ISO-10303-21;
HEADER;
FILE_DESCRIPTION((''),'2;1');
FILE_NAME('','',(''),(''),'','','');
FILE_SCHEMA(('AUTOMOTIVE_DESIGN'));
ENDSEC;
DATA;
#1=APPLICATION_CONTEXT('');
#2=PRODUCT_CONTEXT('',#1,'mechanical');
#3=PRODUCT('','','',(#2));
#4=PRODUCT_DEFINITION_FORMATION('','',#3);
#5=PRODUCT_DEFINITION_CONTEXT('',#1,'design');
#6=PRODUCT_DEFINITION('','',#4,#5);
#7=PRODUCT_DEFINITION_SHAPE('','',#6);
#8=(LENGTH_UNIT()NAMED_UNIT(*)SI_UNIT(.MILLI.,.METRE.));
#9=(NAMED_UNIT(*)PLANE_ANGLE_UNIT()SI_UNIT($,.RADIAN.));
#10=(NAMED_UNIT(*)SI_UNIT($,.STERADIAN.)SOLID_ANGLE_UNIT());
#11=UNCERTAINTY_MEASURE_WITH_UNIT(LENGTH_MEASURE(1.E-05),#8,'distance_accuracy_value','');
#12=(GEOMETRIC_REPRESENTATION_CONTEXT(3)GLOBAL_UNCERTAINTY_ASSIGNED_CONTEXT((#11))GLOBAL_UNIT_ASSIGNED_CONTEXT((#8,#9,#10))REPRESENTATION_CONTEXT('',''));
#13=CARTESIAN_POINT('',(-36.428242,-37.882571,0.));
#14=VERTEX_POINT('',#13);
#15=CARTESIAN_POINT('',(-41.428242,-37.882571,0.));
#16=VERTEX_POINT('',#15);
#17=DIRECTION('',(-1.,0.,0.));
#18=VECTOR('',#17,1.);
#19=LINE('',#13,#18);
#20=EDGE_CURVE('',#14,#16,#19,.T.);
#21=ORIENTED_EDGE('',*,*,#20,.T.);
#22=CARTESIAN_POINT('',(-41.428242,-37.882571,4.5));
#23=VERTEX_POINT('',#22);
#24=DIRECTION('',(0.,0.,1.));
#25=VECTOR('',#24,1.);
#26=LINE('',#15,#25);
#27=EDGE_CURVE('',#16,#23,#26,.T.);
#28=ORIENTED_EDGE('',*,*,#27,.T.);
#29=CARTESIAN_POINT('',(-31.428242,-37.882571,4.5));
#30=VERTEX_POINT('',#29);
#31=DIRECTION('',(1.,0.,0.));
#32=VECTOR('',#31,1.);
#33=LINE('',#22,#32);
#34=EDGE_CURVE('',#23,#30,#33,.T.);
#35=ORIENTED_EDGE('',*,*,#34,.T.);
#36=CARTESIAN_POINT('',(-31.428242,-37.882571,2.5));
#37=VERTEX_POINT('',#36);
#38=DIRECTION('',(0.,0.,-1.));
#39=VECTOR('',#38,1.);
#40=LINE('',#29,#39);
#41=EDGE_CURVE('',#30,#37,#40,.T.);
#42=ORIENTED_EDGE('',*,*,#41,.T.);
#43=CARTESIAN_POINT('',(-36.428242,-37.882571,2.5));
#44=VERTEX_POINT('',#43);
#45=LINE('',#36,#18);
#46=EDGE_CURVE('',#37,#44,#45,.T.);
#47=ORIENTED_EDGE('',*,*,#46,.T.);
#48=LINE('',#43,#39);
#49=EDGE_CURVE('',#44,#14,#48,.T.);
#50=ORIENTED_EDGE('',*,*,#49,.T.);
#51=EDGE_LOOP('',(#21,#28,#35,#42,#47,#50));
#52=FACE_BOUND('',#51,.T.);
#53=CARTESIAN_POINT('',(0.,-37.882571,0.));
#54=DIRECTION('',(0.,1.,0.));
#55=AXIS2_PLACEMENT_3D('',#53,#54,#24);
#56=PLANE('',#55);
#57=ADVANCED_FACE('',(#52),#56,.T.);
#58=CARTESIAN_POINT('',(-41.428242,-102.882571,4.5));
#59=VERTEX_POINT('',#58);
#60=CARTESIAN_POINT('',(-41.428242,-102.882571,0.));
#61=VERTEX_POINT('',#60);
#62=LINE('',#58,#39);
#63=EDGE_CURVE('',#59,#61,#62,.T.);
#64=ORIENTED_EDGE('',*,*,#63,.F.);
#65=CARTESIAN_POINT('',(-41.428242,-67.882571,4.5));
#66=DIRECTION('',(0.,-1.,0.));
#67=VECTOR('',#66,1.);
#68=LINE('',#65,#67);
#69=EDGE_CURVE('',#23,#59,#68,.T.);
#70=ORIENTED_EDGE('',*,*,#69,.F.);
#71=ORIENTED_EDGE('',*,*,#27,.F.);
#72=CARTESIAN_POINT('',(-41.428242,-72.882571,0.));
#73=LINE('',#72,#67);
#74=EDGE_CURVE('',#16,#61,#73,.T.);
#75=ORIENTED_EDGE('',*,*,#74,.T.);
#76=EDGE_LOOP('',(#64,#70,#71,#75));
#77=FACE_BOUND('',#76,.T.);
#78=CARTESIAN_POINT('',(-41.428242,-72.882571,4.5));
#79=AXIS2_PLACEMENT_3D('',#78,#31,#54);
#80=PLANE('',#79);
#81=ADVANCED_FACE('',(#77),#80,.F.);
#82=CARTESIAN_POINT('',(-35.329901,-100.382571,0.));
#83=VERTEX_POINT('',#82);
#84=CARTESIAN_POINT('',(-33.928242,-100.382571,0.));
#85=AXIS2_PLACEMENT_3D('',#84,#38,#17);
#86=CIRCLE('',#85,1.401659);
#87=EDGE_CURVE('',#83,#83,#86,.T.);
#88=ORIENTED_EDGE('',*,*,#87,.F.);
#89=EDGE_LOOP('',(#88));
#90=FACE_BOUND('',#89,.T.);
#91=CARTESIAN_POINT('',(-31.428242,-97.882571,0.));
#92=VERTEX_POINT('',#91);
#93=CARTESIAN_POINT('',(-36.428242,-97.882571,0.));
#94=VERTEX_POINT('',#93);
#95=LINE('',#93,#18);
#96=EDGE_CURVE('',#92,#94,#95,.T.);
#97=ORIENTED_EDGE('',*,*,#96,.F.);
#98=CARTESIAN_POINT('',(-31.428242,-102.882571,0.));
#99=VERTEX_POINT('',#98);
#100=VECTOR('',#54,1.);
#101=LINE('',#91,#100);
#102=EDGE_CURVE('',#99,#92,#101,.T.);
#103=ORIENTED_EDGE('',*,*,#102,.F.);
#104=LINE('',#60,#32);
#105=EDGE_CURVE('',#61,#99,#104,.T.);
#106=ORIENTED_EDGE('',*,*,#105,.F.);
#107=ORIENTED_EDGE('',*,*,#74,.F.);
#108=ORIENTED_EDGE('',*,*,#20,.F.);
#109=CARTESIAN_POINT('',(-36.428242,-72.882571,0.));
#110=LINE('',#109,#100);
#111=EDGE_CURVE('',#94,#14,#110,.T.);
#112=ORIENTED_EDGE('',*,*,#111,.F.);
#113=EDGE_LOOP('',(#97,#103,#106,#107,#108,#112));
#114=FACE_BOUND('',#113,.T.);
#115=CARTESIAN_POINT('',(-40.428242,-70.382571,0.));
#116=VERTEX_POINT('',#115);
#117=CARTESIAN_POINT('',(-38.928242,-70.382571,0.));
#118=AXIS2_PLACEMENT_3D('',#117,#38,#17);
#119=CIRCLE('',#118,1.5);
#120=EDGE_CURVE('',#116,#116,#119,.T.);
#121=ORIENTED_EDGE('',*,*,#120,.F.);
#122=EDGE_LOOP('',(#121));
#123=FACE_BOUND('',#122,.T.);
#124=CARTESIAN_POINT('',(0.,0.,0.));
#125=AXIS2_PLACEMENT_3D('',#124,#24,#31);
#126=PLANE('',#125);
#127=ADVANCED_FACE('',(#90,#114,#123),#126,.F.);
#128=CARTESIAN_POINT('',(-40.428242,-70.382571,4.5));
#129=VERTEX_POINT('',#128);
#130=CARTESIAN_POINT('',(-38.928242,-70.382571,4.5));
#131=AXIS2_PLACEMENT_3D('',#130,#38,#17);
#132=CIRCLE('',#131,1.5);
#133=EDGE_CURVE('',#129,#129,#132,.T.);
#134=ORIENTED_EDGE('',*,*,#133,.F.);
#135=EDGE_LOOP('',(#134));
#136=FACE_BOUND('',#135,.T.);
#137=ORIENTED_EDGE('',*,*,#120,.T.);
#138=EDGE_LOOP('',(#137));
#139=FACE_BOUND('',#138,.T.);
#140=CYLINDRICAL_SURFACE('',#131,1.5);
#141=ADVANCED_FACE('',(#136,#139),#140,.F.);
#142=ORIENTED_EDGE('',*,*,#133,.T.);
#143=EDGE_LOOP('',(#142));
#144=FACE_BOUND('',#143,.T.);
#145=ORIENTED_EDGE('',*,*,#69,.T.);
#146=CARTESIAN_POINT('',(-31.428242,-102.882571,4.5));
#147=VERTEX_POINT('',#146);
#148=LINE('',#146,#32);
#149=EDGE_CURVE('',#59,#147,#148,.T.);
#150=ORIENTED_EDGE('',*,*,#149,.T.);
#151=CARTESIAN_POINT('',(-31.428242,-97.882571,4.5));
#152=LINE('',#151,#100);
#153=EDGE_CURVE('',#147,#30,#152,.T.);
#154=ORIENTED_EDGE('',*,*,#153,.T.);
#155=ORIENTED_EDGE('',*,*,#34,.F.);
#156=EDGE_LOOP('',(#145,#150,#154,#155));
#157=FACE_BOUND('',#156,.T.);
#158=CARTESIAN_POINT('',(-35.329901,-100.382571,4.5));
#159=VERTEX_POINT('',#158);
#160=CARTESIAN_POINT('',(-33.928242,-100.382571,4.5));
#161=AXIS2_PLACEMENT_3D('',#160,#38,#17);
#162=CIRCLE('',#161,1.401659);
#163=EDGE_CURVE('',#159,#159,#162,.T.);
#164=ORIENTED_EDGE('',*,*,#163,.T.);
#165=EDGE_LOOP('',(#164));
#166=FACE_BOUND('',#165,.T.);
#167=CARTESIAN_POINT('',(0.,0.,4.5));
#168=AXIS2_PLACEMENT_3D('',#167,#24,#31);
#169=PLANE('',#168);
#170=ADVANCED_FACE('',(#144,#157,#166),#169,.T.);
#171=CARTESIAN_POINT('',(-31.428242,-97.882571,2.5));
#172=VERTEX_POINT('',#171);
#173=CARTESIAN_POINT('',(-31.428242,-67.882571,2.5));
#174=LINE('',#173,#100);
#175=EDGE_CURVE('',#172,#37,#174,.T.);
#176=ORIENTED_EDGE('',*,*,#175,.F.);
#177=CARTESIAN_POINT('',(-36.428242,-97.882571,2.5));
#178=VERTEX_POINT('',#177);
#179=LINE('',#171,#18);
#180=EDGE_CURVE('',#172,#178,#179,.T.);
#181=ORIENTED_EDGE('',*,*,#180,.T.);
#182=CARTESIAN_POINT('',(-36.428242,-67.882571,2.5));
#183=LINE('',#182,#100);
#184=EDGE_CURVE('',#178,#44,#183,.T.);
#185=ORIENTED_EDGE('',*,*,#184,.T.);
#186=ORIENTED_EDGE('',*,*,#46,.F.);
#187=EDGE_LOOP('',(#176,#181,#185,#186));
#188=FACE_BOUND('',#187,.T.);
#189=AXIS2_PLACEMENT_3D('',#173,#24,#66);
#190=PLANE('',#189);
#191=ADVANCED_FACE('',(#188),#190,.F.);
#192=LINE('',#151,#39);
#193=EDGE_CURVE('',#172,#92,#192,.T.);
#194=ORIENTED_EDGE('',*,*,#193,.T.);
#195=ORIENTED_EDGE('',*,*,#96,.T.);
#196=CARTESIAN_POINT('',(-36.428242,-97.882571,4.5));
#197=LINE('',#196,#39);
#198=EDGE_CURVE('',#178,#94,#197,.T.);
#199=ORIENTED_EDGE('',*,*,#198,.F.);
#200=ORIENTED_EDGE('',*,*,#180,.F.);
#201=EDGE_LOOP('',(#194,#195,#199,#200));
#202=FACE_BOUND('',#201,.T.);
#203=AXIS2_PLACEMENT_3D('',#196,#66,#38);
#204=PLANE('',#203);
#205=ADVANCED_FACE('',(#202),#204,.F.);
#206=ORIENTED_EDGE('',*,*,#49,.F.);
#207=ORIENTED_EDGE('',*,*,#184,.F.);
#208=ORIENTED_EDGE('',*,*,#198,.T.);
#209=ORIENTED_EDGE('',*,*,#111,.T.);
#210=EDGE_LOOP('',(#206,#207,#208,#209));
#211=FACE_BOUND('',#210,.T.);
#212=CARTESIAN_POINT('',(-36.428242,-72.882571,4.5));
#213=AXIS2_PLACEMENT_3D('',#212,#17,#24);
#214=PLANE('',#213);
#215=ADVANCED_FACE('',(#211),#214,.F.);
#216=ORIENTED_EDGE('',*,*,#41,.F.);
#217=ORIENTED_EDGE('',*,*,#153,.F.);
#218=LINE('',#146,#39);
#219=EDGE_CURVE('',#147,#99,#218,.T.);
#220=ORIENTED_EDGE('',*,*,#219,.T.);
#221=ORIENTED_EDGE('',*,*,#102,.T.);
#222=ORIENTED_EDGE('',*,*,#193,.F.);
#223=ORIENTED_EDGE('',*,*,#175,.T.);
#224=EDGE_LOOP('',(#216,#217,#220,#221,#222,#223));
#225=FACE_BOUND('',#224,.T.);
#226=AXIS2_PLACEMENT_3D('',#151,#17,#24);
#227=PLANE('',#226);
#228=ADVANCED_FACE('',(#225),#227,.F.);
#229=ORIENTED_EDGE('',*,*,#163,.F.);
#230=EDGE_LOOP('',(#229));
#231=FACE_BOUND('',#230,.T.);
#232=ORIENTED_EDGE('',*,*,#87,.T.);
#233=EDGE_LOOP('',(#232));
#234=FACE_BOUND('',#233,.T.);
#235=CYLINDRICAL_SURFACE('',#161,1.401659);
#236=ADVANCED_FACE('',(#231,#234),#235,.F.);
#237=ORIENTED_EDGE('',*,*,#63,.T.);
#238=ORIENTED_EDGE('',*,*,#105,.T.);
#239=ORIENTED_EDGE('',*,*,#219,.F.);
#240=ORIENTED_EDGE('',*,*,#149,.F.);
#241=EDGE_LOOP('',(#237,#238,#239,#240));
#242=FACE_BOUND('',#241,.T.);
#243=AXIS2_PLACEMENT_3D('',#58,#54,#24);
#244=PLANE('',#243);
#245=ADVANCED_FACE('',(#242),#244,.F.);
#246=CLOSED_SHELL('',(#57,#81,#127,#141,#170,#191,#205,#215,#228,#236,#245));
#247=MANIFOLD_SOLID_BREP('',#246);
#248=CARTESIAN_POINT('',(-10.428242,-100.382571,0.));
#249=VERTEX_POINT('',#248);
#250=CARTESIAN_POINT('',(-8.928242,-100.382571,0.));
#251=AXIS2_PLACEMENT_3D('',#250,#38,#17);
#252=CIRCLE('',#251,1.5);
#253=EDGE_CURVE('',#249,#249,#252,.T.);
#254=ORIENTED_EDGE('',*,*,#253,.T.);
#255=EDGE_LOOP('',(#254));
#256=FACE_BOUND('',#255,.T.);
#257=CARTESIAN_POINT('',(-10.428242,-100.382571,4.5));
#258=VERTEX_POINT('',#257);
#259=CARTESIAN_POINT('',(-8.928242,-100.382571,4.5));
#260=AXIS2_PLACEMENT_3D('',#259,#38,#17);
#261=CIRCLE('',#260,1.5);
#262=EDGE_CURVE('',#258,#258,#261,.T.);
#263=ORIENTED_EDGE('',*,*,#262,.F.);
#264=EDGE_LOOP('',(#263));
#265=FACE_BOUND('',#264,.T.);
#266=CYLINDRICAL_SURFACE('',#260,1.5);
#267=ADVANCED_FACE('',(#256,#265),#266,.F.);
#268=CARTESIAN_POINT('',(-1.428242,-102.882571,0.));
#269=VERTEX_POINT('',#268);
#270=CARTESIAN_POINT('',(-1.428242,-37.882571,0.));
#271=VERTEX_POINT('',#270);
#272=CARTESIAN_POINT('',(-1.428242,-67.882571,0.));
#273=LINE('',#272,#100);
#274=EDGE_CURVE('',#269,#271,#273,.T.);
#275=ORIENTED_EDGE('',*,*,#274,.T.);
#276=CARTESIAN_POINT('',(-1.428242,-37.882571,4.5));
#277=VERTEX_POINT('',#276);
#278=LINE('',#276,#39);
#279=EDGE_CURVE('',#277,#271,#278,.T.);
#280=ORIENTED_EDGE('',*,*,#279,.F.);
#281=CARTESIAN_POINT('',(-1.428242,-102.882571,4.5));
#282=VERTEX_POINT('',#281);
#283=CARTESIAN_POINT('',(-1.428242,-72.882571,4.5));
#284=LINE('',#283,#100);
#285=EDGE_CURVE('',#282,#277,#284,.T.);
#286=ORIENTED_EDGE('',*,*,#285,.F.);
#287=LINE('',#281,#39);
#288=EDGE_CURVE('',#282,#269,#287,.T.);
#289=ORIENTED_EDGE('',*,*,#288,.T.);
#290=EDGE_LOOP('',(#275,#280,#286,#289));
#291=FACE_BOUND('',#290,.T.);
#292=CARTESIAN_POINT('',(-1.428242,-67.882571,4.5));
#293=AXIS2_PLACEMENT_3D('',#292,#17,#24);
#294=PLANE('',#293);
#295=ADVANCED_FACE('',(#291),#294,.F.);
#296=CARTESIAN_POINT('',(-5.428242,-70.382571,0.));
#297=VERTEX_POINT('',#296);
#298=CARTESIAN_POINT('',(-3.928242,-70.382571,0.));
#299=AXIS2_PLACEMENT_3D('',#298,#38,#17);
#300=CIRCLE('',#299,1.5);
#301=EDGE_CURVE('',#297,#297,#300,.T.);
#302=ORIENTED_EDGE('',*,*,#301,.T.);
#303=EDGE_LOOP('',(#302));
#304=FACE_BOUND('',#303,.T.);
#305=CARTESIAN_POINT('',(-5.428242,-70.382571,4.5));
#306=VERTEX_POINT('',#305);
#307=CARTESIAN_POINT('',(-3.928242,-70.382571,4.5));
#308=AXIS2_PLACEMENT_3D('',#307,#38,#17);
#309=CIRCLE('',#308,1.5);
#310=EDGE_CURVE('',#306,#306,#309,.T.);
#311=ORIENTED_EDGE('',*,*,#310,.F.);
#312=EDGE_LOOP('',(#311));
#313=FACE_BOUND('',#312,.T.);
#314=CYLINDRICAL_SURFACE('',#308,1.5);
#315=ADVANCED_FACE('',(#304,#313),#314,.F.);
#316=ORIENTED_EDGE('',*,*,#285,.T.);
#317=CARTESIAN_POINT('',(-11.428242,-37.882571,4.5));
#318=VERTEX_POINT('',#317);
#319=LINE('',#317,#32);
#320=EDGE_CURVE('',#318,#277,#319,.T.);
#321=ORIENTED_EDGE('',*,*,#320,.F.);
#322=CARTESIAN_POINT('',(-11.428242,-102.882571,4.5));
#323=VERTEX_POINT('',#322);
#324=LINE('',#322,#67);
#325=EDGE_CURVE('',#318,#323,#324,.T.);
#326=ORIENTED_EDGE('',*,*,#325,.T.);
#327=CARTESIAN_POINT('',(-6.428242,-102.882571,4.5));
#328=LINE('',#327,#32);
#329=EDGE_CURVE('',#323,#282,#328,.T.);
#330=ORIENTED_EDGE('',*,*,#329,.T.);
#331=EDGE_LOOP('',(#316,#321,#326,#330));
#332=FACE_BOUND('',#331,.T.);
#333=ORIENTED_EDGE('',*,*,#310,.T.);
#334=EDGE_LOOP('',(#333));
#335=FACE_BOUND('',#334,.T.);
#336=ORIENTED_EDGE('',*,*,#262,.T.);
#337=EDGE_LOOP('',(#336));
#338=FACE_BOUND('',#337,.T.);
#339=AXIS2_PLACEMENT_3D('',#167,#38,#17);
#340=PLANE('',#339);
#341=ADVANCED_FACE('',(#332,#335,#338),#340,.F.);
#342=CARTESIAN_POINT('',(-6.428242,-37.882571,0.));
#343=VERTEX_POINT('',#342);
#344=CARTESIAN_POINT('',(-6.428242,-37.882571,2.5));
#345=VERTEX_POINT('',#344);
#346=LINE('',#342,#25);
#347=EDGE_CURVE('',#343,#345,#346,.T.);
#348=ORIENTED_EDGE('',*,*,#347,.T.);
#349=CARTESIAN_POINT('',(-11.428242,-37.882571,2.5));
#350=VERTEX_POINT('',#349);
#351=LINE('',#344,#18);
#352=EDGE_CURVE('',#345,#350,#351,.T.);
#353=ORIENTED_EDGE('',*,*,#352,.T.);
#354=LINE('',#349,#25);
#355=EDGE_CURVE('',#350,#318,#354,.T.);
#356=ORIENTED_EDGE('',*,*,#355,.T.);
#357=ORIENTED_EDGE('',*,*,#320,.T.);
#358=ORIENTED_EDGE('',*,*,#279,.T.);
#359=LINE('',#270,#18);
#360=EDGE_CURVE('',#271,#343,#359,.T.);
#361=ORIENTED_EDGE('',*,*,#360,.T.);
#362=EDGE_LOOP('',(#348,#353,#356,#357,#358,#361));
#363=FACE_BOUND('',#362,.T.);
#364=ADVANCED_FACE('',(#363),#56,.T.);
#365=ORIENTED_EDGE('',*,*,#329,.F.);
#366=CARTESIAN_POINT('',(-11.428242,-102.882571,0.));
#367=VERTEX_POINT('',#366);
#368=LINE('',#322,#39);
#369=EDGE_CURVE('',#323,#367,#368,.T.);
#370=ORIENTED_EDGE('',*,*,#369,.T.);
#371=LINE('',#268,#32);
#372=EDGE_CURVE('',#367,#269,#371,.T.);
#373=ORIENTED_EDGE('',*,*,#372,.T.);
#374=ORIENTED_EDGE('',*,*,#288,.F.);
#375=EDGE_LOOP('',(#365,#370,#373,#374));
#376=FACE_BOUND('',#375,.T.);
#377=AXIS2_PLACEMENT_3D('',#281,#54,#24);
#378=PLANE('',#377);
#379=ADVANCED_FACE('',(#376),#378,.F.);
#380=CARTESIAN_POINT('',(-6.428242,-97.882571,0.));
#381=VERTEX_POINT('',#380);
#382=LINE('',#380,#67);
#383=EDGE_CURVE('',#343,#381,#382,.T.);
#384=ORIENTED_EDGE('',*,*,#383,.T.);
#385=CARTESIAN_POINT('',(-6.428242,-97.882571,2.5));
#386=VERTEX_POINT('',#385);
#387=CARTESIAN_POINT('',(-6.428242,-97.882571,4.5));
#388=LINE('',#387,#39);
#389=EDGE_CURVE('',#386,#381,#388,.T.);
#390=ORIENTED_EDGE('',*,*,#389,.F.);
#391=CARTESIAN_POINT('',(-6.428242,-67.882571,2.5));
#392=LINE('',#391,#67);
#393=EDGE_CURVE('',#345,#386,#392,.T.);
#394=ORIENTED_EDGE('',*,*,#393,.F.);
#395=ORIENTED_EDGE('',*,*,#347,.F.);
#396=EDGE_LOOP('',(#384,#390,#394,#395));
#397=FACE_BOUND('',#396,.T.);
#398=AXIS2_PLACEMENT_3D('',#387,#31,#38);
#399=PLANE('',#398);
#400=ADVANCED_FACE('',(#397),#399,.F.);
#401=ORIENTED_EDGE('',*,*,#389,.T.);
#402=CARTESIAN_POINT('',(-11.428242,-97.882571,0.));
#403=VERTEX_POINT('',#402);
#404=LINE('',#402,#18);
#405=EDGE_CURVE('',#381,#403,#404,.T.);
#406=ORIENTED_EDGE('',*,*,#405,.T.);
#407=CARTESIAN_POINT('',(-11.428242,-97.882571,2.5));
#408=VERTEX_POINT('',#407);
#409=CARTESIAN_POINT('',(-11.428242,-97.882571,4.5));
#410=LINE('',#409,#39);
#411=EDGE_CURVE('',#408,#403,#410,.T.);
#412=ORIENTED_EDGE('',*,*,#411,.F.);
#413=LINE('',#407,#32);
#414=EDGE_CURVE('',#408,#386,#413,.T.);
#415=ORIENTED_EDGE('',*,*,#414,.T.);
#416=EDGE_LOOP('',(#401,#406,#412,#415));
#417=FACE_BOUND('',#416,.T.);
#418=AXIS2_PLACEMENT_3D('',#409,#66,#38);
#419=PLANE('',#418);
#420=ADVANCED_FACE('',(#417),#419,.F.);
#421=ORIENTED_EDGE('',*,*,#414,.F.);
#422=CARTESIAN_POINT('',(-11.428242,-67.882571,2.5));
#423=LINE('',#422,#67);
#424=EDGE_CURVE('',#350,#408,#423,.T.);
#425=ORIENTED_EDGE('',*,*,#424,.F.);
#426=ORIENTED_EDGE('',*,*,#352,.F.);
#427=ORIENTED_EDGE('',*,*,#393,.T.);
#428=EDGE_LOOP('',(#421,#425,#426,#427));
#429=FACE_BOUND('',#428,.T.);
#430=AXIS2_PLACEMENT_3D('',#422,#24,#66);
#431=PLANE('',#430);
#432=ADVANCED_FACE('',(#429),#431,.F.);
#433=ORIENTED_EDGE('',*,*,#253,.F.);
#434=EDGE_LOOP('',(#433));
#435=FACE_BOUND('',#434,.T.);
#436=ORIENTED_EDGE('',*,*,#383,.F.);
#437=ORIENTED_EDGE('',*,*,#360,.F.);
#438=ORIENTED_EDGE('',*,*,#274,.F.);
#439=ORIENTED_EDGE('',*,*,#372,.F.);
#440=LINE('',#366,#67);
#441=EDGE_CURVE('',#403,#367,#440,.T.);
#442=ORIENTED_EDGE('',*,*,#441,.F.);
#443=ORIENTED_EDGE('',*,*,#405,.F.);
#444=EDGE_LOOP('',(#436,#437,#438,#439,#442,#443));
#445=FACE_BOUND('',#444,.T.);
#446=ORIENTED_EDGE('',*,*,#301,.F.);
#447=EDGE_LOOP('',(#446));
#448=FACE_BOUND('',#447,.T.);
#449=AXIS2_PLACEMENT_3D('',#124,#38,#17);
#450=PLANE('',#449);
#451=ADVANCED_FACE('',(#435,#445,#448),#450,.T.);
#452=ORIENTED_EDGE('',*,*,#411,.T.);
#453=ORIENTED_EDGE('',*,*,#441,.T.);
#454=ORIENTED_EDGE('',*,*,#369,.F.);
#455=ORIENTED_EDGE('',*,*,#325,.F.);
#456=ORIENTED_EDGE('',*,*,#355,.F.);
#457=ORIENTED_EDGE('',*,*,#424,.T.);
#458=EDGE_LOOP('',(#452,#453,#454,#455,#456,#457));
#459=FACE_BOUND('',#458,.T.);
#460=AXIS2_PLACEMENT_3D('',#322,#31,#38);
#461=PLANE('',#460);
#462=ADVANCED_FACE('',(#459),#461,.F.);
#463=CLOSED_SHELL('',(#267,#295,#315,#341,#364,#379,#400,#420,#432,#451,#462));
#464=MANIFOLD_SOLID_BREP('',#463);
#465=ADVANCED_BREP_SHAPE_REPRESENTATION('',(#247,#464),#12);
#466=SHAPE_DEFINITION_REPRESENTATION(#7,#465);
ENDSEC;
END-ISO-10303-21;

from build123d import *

# Parameters (mm, degrees)
BOSS_EXTRUDE1_DEPTH   = 4.5
BOSS_EXTRUDE1_2_DEPTH = 4.5
SKETCH2_W             = 2
SKETCH2_H             = 30
BOSS_EXTRUDE2_DEPTH   = 5
SKETCH3_W             = 2
SKETCH3_H             = 30
BOSS_EXTRUDE3_DEPTH   = 5
SKETCH4_R             = 1.401658719
SKETCH4_R_2           = 1.5
CUT_EXTRUDE1_DEPTH    = 5.5
SKETCH5_R             = 1.5
CUT_EXTRUDE2_DEPTH    = 5.5
BOSS_EXTRUDE4_DEPTH   = 30
BOSS_EXTRUDE5_DEPTH   = 30


with BuildPart() as part:
    # Sketch1 → Boss-Extrude1 (new body)
    with BuildSketch(Plane.XY):
        Polygon((-36.428241885, -97.882571264), (-36.428241885, -72.882571264), (-36.428241885, -67.882571264), (-41.428241885, -67.882571264), (-41.428241885, -72.882571264), (-41.428241885, -102.882571264), (-36.428241885, -102.882571264), (-31.428241885, -102.882571264), (-31.428241885, -97.882571264), align=None)
    extrude(amount=BOSS_EXTRUDE1_DEPTH)

    # Sketch3 → Boss-Extrude3 (add)
    with BuildSketch(Plane(origin=(-36.428241885, 0, 0), x_dir=(0, 0, -1), z_dir=(1, 0, 0))):
        with Locations((-3.5, -82.882571264)):
            Rectangle(SKETCH3_W, SKETCH3_H)
    extrude(amount=BOSS_EXTRUDE3_DEPTH)

    # Sketch4 → Cut-Extrude1 (cut, through all)
    with BuildSketch(Plane(origin=(0, 0, 0), x_dir=(-1, 0, 0), z_dir=(0, 0, -1))):
        with Locations((33.928241885, -100.382571264)):
            Circle(SKETCH4_R)
        with Locations((38.928241885, -70.382571264)):
            Circle(SKETCH4_R_2)
    extrude(amount=-CUT_EXTRUDE1_DEPTH, mode=Mode.SUBTRACT)

    # Sketch6 → Boss-Extrude4 (add)
    with BuildSketch(Plane(origin=(0, -67.882571264, 0), x_dir=(1, 0, 0), z_dir=(0, 1, 0))):
        Polygon((-36.428241885, 0), (-41.428241885, 0), (-41.428241885, -4.5), (-31.428241885, -4.5), (-31.428241885, -2.5), (-36.428241885, -2.5), align=None)
    extrude(amount=BOSS_EXTRUDE4_DEPTH)


with BuildPart() as body_2:
    # Sketch1 → Boss-Extrude1 2 (new body)
    with BuildSketch(Plane.XY):
        Polygon((-6.428241885, -97.882571264), (-6.428241885, -72.882571264), (-6.428241885, -67.882571264), (-1.428241885, -67.882571264), (-1.428241885, -72.882571264), (-1.428241885, -102.882571264), (-6.428241885, -102.882571264), (-11.428241885, -102.882571264), (-11.428241885, -97.882571264), align=None)
    extrude(amount=BOSS_EXTRUDE1_2_DEPTH)

    # Sketch2 → Boss-Extrude2 (add)
    with BuildSketch(Plane.ZY.offset(6.428241885)):
        with Locations((3.5, -82.882571264)):
            Rectangle(SKETCH2_W, SKETCH2_H)
    extrude(amount=BOSS_EXTRUDE2_DEPTH)

    # Sketch5 → Cut-Extrude2 (cut, through all)
    with BuildSketch(Plane(origin=(0, 0, 0), x_dir=(-1, 0, 0), z_dir=(0, 0, -1))):
        with Locations((8.928241885, -100.382571264)):
            Circle(SKETCH5_R)
        with Locations((3.928241885, -70.382571264)):
            Circle(SKETCH5_R)
    extrude(amount=-CUT_EXTRUDE2_DEPTH, mode=Mode.SUBTRACT)

    # Sketch7 → Boss-Extrude5 (add)
    with BuildSketch(Plane(origin=(0, -67.882571264, 0), x_dir=(1, 0, 0), z_dir=(0, 1, 0))):
        Polygon((-1.428241885, 0), (-6.428241885, 0), (-6.428241885, -2.5), (-11.428241885, -2.5), (-11.428241885, -4.5), (-1.428241885, -4.5), align=None)
    extrude(amount=BOSS_EXTRUDE5_DEPTH)


solid = Compound([part.part, body_2.part])
